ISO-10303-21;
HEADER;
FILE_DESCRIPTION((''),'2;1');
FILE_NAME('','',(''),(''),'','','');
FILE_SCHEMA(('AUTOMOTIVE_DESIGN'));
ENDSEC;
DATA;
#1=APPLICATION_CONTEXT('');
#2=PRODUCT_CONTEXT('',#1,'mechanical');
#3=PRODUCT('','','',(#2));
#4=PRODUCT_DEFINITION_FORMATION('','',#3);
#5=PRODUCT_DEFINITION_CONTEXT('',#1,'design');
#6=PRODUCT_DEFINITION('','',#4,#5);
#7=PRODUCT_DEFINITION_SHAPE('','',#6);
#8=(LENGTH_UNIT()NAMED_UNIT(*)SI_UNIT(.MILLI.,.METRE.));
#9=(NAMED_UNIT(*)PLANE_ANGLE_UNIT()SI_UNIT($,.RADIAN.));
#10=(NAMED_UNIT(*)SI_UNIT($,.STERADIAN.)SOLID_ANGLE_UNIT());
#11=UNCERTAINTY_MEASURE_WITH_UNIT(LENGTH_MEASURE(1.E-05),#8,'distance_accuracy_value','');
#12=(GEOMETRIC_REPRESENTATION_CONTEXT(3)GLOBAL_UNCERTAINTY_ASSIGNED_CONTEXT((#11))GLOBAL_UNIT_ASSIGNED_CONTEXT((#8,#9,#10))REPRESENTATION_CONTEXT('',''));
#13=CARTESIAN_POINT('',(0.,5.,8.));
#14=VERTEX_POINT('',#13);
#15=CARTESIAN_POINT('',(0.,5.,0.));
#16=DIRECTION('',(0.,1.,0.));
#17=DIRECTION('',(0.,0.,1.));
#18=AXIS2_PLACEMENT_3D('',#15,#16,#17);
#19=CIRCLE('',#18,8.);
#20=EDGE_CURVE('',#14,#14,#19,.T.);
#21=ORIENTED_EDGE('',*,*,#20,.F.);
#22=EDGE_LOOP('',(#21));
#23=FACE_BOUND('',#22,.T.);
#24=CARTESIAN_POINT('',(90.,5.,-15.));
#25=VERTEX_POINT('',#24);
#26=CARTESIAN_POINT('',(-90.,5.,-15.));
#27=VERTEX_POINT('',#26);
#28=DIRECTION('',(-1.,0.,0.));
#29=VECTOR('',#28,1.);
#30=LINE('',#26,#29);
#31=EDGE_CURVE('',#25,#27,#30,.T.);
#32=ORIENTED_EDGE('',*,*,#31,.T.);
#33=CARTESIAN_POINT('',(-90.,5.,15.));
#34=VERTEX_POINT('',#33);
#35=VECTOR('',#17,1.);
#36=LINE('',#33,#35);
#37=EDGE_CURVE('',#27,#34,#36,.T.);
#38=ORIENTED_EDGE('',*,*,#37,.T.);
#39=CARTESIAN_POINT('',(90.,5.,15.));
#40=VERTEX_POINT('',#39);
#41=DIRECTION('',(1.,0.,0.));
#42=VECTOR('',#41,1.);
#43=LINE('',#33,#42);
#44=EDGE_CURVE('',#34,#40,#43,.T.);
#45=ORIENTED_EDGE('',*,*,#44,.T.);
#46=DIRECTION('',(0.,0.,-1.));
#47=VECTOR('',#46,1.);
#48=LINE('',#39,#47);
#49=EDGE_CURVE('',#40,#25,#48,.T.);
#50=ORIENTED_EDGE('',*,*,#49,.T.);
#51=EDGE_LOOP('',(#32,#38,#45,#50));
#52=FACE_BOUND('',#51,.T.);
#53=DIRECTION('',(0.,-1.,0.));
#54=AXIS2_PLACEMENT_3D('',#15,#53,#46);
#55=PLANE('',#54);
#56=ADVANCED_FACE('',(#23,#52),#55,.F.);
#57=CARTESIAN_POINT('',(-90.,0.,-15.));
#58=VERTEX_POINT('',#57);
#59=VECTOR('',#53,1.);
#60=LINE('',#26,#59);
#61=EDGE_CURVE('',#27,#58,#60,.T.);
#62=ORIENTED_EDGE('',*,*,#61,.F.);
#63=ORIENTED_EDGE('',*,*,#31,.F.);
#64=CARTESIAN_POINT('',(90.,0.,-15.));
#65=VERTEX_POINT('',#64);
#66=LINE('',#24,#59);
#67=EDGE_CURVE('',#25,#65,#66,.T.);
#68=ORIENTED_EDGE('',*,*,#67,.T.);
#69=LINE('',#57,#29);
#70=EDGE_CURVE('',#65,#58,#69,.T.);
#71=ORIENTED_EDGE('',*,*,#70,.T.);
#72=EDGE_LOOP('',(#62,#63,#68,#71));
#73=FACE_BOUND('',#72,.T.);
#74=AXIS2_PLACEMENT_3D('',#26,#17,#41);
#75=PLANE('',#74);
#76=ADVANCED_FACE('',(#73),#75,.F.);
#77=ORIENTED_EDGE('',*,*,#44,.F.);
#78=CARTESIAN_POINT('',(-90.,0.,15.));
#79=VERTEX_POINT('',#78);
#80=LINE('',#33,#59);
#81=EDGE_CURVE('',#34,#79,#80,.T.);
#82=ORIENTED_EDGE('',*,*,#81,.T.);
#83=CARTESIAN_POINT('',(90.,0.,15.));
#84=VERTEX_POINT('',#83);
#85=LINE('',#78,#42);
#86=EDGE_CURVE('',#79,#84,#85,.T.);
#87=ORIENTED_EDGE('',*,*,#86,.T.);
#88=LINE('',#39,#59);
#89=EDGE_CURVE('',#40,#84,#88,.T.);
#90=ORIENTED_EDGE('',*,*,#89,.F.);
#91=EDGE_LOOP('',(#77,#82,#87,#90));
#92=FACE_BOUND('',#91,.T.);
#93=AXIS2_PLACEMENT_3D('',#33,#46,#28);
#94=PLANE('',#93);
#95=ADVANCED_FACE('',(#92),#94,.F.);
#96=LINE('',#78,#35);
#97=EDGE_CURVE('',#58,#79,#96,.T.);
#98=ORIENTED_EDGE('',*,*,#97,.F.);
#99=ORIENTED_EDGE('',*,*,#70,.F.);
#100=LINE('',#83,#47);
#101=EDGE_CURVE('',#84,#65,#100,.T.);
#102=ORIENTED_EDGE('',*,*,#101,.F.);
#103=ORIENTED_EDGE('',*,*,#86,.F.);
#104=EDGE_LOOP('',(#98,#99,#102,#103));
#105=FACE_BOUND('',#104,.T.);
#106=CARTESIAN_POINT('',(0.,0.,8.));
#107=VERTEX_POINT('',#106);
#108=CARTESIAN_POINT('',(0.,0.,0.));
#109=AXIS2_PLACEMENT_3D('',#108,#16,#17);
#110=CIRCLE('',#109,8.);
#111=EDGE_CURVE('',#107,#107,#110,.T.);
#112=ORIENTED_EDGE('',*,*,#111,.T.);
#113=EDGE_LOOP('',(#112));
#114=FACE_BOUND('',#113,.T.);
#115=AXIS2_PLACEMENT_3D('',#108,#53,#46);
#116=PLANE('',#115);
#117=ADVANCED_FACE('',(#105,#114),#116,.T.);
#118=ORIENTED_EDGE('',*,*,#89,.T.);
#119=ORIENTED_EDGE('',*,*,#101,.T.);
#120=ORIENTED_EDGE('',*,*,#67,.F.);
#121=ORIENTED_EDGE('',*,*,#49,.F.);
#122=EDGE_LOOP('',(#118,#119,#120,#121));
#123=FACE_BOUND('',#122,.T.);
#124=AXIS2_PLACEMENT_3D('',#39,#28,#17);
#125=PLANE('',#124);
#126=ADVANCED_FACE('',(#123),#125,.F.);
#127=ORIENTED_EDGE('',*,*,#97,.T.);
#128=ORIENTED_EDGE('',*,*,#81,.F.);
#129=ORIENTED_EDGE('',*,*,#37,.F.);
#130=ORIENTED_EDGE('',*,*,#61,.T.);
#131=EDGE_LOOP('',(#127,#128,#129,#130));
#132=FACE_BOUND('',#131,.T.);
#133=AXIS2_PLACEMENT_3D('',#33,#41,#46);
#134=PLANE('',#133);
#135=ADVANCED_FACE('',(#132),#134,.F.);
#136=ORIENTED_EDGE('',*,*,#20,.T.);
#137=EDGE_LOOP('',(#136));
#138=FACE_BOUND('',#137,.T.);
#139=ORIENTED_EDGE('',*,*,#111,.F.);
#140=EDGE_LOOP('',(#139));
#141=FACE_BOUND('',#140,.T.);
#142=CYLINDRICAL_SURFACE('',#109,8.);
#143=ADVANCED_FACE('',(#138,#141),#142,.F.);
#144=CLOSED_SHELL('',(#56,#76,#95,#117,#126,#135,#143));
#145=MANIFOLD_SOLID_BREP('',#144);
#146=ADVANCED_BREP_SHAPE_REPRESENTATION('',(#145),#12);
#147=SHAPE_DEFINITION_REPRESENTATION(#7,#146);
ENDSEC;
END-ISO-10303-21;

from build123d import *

# Parameters (mm, degrees)
SKETCH_1_W          = 180
SKETCH_1_H          = 30
EXTRUDE_1_DEPTH     = 5
SKETCH_2_R          = 8
CUT_EXTRUDE_1_DEPTH = 5


with BuildPart() as part:
    # 草图1 → 凸台-拉伸1 (new body)
    with BuildSketch(Plane(origin=(0, 0, 0), x_dir=(1, 0, 0), z_dir=(0, 1, 0))):
        Rectangle(SKETCH_1_W, SKETCH_1_H)
    extrude(amount=EXTRUDE_1_DEPTH)

    # 草图2 → 切除-拉伸1 (cut)
    with BuildSketch(Plane(origin=(0, 5, 0), x_dir=(1, 0, 0), z_dir=(0, 1, 0))):
        with Locations(Location((0, 0, 0), (0, 0, 270))):
            Circle(SKETCH_2_R)
    extrude(amount=-CUT_EXTRUDE_1_DEPTH, mode=Mode.SUBTRACT)


solid = part.part
